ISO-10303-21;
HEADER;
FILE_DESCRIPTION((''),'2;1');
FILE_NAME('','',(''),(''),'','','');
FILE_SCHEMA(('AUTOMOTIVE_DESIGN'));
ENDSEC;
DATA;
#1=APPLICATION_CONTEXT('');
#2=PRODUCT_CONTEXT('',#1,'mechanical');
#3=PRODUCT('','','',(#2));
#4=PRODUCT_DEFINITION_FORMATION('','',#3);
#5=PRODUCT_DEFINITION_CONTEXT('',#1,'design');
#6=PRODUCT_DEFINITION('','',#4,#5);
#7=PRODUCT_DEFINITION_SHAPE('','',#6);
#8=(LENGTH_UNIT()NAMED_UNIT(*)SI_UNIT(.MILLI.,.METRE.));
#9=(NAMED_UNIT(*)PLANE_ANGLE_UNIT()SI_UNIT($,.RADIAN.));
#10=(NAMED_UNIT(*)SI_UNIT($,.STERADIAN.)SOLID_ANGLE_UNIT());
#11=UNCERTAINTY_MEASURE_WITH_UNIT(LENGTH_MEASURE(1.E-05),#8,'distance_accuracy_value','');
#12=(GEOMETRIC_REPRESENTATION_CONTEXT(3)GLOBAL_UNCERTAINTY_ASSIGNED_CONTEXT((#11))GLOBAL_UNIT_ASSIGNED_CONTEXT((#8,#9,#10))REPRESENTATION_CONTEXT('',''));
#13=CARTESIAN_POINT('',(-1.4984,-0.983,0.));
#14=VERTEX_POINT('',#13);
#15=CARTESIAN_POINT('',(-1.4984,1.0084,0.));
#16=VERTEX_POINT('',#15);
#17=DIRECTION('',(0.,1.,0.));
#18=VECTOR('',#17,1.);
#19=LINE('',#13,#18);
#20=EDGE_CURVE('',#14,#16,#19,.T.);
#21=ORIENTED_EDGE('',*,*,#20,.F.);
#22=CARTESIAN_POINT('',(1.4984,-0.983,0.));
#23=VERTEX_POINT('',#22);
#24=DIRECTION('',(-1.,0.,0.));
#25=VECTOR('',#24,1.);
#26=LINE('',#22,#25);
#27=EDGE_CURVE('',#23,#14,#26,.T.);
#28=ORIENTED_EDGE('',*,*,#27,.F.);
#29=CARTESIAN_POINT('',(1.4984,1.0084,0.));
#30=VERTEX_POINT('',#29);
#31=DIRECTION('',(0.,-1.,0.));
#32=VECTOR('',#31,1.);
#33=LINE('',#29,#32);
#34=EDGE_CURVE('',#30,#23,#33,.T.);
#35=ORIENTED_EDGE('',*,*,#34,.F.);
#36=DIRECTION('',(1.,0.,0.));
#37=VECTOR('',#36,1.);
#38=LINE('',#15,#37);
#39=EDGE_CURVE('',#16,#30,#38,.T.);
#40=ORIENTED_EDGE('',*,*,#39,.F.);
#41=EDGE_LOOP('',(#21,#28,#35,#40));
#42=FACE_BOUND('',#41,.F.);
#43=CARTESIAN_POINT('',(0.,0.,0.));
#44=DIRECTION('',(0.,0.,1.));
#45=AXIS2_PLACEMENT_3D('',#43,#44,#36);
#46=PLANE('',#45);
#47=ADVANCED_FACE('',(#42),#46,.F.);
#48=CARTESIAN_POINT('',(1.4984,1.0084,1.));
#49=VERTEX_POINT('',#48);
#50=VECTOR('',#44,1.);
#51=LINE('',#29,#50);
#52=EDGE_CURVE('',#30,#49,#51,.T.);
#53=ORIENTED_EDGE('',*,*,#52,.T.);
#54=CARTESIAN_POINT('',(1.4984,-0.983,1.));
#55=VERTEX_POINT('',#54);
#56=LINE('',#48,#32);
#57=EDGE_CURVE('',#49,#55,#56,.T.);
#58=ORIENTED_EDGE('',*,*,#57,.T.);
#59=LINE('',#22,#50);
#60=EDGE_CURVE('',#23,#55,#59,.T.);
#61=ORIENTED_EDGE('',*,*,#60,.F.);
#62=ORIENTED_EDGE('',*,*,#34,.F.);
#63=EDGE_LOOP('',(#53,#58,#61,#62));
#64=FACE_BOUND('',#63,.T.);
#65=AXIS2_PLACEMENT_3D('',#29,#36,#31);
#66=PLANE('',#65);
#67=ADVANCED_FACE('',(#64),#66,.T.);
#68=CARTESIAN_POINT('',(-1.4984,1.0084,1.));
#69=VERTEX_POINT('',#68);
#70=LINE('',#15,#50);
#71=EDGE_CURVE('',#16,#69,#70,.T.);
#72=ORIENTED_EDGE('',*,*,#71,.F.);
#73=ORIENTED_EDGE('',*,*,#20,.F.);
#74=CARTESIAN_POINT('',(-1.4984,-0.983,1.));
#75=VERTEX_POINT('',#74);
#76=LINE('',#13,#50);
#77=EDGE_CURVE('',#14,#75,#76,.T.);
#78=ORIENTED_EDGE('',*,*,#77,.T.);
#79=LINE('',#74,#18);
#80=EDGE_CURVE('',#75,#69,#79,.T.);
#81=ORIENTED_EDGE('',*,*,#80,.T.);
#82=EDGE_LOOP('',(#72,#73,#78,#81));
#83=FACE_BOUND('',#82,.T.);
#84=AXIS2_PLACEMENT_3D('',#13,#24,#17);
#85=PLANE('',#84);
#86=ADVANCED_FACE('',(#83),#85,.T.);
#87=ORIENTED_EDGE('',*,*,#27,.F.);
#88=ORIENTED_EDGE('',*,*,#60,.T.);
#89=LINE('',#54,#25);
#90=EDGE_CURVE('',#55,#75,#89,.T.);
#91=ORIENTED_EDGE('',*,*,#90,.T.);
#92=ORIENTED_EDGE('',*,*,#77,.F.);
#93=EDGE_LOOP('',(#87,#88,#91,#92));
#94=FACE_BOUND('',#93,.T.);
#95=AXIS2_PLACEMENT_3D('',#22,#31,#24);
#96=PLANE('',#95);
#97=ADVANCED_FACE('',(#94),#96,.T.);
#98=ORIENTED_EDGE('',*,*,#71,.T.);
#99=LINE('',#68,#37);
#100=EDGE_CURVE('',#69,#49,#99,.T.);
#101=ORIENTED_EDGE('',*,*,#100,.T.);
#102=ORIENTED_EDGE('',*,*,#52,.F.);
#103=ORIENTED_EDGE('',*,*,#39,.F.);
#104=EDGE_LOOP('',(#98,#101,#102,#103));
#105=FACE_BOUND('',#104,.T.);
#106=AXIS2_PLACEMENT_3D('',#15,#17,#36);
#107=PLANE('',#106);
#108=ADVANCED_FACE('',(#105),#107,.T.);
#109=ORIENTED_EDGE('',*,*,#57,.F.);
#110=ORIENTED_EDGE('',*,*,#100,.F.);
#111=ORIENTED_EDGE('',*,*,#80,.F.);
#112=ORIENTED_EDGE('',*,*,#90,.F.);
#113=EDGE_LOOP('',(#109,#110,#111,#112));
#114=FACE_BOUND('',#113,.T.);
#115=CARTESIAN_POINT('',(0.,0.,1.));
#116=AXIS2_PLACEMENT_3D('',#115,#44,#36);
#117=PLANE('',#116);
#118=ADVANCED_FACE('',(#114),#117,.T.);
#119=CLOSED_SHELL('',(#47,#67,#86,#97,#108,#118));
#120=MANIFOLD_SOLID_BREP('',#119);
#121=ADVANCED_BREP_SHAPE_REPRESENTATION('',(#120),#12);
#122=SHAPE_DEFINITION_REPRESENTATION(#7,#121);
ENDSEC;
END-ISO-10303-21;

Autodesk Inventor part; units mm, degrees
ref_plane "YZ Plane" through (0, 0, 0) normal (1, 0, 0) x (0, 1, 0)
ref_plane "XZ Plane" through (0, 0, 0) normal (0, 1, 0) x (-1, 0, 0)
ref_plane "XY Plane" through (0, 0, 0) normal (0, 0, 1) x (1, 0, 0)
sketch "0603-RES, R3_0603-RES_44" plane through (0, 0, 0) normal (0, 0, 1) x (1, 0, 0)
  line L0 (-1.4984, 1.0084) -> (1.4984, 1.0084)
  line L1 (1.4984, 1.0084) -> (1.4984, -0.983)
  line L2 (1.4984, -0.983) -> (-1.4984, -0.983)
  line L3 (-1.4984, -0.983) -> (-1.4984, 1.0084)
extrude "Extrusion1" add sketch "0603-RES, R3_0603-RES_44" along normal blind 1
properties part number "R3_0603-RES"
